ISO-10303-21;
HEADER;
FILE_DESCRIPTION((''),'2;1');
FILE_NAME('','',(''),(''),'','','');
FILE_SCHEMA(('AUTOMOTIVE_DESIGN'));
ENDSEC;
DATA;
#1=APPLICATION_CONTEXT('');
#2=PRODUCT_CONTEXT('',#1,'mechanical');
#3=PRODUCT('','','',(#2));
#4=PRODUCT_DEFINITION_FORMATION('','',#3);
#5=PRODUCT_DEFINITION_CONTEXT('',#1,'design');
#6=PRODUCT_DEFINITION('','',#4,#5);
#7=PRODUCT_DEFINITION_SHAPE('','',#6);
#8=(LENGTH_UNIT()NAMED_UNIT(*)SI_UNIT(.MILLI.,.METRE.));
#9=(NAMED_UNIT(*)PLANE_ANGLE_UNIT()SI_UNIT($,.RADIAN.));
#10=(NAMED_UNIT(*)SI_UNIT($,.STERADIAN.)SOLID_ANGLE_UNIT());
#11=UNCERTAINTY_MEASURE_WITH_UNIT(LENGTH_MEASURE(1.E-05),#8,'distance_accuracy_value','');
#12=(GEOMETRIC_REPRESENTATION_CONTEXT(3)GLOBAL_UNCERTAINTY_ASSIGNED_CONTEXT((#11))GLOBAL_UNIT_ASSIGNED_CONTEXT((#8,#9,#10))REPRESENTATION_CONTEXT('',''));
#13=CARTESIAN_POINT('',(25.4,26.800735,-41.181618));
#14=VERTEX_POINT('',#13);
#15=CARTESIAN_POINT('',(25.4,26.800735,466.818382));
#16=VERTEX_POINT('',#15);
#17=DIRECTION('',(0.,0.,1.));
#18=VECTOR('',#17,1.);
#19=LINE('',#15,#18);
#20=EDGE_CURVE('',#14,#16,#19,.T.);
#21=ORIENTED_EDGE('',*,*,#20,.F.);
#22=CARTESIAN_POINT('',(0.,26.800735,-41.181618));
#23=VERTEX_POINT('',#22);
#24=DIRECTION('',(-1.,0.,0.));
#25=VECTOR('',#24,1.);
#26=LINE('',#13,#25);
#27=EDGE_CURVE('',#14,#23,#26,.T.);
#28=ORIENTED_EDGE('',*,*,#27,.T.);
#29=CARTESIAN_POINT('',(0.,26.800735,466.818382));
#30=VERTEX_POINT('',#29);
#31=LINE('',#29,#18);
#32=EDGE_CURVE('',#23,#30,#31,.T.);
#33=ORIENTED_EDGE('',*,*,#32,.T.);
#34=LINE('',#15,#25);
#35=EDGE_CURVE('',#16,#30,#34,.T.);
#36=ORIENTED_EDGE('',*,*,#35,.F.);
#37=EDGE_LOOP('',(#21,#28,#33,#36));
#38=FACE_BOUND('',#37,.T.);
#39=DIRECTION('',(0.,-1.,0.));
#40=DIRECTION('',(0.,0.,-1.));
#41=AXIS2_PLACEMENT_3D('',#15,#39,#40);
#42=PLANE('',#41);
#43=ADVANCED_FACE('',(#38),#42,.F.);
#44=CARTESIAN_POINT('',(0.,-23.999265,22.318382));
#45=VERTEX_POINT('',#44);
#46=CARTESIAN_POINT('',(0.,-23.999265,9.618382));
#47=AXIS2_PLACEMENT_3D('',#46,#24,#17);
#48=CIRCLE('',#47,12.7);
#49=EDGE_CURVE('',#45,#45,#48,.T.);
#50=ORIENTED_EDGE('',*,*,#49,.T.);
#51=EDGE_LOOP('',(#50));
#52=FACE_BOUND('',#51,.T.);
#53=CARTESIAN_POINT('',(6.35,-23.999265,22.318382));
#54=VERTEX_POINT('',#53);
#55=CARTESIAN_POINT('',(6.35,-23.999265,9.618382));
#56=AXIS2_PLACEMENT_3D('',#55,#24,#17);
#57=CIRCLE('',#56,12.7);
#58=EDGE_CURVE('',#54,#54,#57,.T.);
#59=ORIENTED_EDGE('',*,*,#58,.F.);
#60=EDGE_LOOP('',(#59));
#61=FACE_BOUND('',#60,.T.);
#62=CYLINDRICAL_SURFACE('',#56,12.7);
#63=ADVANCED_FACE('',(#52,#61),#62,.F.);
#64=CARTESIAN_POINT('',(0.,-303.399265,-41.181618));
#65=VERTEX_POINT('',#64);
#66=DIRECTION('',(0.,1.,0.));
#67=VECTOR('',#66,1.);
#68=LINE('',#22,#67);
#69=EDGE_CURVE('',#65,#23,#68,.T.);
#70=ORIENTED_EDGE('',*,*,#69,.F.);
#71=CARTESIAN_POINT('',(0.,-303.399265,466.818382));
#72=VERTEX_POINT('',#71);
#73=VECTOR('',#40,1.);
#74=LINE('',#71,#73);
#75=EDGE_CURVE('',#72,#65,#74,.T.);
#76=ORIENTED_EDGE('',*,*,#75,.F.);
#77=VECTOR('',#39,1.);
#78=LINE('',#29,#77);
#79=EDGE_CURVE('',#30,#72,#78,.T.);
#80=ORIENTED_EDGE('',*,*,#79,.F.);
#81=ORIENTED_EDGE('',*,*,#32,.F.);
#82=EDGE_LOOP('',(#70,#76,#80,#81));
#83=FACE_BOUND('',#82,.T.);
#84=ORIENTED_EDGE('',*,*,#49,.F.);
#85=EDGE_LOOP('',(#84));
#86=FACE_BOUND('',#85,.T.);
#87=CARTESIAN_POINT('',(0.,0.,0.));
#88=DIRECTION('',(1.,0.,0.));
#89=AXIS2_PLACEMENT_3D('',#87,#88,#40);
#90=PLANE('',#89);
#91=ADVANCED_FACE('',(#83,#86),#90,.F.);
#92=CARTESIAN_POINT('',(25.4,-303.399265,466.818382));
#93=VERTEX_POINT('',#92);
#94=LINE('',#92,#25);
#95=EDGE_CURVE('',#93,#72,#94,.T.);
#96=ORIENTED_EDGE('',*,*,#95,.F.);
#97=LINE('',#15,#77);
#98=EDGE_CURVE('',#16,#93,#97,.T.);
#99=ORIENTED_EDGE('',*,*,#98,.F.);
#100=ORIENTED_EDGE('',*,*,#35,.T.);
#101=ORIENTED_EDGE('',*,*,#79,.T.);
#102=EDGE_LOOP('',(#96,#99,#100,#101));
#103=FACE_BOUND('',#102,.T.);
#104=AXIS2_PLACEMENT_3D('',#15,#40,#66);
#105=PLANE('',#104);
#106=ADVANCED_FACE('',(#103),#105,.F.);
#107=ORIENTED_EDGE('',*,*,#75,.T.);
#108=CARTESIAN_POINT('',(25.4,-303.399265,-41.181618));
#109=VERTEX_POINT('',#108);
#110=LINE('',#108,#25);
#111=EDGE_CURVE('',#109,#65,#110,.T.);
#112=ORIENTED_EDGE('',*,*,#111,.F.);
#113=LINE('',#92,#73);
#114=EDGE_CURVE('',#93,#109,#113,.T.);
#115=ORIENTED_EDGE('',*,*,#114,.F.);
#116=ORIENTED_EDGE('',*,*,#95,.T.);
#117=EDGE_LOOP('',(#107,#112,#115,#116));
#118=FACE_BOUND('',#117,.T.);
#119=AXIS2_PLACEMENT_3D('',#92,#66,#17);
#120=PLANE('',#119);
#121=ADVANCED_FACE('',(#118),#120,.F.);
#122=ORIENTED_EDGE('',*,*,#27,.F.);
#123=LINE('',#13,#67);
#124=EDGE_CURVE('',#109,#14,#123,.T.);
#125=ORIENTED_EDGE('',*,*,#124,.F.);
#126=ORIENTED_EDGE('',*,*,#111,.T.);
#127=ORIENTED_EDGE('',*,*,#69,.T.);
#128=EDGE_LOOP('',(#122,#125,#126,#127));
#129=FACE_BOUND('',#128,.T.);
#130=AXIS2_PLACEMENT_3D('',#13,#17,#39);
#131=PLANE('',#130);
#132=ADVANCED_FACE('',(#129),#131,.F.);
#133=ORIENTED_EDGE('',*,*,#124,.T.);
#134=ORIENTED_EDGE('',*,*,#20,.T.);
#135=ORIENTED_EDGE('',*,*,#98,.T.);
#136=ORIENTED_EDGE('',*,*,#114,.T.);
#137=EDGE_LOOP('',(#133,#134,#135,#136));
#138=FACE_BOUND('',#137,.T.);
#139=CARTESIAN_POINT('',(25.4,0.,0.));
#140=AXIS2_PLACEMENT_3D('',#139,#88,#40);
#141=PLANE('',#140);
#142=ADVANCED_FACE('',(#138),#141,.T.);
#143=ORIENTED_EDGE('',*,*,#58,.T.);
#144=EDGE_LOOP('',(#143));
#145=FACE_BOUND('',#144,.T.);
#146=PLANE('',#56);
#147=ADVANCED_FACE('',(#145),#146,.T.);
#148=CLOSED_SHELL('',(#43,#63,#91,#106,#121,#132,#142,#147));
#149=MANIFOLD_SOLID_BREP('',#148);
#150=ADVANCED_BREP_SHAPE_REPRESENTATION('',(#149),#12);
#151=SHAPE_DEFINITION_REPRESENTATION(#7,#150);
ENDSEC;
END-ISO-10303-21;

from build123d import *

# Parameters (mm, degrees)
SKETCH1_W           = 508
SKETCH1_H           = 330.2
BOSS_EXTRUDE1_DEPTH = 25.4
SKETCH3_R           = 12.7
CUT_EXTRUDE2_DEPTH  = 6.35


with BuildPart() as part:
    # Sketch1 → Boss-Extrude1 (new body)
    with BuildSketch(Plane(origin=(0, 0, 0), x_dir=(0, 0, -1), z_dir=(1, 0, 0))):
        with Locations((-212.818382353, -138.299264706)):
            Rectangle(SKETCH1_W, SKETCH1_H)
    extrude(amount=BOSS_EXTRUDE1_DEPTH)

    # Sketch3 → Cut-Extrude2 (cut)
    with BuildSketch(Plane.ZY):
        with Locations((9.618382353, -23.999264706)):
            Circle(SKETCH3_R)
    extrude(amount=-CUT_EXTRUDE2_DEPTH, mode=Mode.SUBTRACT)


solid = part.part
